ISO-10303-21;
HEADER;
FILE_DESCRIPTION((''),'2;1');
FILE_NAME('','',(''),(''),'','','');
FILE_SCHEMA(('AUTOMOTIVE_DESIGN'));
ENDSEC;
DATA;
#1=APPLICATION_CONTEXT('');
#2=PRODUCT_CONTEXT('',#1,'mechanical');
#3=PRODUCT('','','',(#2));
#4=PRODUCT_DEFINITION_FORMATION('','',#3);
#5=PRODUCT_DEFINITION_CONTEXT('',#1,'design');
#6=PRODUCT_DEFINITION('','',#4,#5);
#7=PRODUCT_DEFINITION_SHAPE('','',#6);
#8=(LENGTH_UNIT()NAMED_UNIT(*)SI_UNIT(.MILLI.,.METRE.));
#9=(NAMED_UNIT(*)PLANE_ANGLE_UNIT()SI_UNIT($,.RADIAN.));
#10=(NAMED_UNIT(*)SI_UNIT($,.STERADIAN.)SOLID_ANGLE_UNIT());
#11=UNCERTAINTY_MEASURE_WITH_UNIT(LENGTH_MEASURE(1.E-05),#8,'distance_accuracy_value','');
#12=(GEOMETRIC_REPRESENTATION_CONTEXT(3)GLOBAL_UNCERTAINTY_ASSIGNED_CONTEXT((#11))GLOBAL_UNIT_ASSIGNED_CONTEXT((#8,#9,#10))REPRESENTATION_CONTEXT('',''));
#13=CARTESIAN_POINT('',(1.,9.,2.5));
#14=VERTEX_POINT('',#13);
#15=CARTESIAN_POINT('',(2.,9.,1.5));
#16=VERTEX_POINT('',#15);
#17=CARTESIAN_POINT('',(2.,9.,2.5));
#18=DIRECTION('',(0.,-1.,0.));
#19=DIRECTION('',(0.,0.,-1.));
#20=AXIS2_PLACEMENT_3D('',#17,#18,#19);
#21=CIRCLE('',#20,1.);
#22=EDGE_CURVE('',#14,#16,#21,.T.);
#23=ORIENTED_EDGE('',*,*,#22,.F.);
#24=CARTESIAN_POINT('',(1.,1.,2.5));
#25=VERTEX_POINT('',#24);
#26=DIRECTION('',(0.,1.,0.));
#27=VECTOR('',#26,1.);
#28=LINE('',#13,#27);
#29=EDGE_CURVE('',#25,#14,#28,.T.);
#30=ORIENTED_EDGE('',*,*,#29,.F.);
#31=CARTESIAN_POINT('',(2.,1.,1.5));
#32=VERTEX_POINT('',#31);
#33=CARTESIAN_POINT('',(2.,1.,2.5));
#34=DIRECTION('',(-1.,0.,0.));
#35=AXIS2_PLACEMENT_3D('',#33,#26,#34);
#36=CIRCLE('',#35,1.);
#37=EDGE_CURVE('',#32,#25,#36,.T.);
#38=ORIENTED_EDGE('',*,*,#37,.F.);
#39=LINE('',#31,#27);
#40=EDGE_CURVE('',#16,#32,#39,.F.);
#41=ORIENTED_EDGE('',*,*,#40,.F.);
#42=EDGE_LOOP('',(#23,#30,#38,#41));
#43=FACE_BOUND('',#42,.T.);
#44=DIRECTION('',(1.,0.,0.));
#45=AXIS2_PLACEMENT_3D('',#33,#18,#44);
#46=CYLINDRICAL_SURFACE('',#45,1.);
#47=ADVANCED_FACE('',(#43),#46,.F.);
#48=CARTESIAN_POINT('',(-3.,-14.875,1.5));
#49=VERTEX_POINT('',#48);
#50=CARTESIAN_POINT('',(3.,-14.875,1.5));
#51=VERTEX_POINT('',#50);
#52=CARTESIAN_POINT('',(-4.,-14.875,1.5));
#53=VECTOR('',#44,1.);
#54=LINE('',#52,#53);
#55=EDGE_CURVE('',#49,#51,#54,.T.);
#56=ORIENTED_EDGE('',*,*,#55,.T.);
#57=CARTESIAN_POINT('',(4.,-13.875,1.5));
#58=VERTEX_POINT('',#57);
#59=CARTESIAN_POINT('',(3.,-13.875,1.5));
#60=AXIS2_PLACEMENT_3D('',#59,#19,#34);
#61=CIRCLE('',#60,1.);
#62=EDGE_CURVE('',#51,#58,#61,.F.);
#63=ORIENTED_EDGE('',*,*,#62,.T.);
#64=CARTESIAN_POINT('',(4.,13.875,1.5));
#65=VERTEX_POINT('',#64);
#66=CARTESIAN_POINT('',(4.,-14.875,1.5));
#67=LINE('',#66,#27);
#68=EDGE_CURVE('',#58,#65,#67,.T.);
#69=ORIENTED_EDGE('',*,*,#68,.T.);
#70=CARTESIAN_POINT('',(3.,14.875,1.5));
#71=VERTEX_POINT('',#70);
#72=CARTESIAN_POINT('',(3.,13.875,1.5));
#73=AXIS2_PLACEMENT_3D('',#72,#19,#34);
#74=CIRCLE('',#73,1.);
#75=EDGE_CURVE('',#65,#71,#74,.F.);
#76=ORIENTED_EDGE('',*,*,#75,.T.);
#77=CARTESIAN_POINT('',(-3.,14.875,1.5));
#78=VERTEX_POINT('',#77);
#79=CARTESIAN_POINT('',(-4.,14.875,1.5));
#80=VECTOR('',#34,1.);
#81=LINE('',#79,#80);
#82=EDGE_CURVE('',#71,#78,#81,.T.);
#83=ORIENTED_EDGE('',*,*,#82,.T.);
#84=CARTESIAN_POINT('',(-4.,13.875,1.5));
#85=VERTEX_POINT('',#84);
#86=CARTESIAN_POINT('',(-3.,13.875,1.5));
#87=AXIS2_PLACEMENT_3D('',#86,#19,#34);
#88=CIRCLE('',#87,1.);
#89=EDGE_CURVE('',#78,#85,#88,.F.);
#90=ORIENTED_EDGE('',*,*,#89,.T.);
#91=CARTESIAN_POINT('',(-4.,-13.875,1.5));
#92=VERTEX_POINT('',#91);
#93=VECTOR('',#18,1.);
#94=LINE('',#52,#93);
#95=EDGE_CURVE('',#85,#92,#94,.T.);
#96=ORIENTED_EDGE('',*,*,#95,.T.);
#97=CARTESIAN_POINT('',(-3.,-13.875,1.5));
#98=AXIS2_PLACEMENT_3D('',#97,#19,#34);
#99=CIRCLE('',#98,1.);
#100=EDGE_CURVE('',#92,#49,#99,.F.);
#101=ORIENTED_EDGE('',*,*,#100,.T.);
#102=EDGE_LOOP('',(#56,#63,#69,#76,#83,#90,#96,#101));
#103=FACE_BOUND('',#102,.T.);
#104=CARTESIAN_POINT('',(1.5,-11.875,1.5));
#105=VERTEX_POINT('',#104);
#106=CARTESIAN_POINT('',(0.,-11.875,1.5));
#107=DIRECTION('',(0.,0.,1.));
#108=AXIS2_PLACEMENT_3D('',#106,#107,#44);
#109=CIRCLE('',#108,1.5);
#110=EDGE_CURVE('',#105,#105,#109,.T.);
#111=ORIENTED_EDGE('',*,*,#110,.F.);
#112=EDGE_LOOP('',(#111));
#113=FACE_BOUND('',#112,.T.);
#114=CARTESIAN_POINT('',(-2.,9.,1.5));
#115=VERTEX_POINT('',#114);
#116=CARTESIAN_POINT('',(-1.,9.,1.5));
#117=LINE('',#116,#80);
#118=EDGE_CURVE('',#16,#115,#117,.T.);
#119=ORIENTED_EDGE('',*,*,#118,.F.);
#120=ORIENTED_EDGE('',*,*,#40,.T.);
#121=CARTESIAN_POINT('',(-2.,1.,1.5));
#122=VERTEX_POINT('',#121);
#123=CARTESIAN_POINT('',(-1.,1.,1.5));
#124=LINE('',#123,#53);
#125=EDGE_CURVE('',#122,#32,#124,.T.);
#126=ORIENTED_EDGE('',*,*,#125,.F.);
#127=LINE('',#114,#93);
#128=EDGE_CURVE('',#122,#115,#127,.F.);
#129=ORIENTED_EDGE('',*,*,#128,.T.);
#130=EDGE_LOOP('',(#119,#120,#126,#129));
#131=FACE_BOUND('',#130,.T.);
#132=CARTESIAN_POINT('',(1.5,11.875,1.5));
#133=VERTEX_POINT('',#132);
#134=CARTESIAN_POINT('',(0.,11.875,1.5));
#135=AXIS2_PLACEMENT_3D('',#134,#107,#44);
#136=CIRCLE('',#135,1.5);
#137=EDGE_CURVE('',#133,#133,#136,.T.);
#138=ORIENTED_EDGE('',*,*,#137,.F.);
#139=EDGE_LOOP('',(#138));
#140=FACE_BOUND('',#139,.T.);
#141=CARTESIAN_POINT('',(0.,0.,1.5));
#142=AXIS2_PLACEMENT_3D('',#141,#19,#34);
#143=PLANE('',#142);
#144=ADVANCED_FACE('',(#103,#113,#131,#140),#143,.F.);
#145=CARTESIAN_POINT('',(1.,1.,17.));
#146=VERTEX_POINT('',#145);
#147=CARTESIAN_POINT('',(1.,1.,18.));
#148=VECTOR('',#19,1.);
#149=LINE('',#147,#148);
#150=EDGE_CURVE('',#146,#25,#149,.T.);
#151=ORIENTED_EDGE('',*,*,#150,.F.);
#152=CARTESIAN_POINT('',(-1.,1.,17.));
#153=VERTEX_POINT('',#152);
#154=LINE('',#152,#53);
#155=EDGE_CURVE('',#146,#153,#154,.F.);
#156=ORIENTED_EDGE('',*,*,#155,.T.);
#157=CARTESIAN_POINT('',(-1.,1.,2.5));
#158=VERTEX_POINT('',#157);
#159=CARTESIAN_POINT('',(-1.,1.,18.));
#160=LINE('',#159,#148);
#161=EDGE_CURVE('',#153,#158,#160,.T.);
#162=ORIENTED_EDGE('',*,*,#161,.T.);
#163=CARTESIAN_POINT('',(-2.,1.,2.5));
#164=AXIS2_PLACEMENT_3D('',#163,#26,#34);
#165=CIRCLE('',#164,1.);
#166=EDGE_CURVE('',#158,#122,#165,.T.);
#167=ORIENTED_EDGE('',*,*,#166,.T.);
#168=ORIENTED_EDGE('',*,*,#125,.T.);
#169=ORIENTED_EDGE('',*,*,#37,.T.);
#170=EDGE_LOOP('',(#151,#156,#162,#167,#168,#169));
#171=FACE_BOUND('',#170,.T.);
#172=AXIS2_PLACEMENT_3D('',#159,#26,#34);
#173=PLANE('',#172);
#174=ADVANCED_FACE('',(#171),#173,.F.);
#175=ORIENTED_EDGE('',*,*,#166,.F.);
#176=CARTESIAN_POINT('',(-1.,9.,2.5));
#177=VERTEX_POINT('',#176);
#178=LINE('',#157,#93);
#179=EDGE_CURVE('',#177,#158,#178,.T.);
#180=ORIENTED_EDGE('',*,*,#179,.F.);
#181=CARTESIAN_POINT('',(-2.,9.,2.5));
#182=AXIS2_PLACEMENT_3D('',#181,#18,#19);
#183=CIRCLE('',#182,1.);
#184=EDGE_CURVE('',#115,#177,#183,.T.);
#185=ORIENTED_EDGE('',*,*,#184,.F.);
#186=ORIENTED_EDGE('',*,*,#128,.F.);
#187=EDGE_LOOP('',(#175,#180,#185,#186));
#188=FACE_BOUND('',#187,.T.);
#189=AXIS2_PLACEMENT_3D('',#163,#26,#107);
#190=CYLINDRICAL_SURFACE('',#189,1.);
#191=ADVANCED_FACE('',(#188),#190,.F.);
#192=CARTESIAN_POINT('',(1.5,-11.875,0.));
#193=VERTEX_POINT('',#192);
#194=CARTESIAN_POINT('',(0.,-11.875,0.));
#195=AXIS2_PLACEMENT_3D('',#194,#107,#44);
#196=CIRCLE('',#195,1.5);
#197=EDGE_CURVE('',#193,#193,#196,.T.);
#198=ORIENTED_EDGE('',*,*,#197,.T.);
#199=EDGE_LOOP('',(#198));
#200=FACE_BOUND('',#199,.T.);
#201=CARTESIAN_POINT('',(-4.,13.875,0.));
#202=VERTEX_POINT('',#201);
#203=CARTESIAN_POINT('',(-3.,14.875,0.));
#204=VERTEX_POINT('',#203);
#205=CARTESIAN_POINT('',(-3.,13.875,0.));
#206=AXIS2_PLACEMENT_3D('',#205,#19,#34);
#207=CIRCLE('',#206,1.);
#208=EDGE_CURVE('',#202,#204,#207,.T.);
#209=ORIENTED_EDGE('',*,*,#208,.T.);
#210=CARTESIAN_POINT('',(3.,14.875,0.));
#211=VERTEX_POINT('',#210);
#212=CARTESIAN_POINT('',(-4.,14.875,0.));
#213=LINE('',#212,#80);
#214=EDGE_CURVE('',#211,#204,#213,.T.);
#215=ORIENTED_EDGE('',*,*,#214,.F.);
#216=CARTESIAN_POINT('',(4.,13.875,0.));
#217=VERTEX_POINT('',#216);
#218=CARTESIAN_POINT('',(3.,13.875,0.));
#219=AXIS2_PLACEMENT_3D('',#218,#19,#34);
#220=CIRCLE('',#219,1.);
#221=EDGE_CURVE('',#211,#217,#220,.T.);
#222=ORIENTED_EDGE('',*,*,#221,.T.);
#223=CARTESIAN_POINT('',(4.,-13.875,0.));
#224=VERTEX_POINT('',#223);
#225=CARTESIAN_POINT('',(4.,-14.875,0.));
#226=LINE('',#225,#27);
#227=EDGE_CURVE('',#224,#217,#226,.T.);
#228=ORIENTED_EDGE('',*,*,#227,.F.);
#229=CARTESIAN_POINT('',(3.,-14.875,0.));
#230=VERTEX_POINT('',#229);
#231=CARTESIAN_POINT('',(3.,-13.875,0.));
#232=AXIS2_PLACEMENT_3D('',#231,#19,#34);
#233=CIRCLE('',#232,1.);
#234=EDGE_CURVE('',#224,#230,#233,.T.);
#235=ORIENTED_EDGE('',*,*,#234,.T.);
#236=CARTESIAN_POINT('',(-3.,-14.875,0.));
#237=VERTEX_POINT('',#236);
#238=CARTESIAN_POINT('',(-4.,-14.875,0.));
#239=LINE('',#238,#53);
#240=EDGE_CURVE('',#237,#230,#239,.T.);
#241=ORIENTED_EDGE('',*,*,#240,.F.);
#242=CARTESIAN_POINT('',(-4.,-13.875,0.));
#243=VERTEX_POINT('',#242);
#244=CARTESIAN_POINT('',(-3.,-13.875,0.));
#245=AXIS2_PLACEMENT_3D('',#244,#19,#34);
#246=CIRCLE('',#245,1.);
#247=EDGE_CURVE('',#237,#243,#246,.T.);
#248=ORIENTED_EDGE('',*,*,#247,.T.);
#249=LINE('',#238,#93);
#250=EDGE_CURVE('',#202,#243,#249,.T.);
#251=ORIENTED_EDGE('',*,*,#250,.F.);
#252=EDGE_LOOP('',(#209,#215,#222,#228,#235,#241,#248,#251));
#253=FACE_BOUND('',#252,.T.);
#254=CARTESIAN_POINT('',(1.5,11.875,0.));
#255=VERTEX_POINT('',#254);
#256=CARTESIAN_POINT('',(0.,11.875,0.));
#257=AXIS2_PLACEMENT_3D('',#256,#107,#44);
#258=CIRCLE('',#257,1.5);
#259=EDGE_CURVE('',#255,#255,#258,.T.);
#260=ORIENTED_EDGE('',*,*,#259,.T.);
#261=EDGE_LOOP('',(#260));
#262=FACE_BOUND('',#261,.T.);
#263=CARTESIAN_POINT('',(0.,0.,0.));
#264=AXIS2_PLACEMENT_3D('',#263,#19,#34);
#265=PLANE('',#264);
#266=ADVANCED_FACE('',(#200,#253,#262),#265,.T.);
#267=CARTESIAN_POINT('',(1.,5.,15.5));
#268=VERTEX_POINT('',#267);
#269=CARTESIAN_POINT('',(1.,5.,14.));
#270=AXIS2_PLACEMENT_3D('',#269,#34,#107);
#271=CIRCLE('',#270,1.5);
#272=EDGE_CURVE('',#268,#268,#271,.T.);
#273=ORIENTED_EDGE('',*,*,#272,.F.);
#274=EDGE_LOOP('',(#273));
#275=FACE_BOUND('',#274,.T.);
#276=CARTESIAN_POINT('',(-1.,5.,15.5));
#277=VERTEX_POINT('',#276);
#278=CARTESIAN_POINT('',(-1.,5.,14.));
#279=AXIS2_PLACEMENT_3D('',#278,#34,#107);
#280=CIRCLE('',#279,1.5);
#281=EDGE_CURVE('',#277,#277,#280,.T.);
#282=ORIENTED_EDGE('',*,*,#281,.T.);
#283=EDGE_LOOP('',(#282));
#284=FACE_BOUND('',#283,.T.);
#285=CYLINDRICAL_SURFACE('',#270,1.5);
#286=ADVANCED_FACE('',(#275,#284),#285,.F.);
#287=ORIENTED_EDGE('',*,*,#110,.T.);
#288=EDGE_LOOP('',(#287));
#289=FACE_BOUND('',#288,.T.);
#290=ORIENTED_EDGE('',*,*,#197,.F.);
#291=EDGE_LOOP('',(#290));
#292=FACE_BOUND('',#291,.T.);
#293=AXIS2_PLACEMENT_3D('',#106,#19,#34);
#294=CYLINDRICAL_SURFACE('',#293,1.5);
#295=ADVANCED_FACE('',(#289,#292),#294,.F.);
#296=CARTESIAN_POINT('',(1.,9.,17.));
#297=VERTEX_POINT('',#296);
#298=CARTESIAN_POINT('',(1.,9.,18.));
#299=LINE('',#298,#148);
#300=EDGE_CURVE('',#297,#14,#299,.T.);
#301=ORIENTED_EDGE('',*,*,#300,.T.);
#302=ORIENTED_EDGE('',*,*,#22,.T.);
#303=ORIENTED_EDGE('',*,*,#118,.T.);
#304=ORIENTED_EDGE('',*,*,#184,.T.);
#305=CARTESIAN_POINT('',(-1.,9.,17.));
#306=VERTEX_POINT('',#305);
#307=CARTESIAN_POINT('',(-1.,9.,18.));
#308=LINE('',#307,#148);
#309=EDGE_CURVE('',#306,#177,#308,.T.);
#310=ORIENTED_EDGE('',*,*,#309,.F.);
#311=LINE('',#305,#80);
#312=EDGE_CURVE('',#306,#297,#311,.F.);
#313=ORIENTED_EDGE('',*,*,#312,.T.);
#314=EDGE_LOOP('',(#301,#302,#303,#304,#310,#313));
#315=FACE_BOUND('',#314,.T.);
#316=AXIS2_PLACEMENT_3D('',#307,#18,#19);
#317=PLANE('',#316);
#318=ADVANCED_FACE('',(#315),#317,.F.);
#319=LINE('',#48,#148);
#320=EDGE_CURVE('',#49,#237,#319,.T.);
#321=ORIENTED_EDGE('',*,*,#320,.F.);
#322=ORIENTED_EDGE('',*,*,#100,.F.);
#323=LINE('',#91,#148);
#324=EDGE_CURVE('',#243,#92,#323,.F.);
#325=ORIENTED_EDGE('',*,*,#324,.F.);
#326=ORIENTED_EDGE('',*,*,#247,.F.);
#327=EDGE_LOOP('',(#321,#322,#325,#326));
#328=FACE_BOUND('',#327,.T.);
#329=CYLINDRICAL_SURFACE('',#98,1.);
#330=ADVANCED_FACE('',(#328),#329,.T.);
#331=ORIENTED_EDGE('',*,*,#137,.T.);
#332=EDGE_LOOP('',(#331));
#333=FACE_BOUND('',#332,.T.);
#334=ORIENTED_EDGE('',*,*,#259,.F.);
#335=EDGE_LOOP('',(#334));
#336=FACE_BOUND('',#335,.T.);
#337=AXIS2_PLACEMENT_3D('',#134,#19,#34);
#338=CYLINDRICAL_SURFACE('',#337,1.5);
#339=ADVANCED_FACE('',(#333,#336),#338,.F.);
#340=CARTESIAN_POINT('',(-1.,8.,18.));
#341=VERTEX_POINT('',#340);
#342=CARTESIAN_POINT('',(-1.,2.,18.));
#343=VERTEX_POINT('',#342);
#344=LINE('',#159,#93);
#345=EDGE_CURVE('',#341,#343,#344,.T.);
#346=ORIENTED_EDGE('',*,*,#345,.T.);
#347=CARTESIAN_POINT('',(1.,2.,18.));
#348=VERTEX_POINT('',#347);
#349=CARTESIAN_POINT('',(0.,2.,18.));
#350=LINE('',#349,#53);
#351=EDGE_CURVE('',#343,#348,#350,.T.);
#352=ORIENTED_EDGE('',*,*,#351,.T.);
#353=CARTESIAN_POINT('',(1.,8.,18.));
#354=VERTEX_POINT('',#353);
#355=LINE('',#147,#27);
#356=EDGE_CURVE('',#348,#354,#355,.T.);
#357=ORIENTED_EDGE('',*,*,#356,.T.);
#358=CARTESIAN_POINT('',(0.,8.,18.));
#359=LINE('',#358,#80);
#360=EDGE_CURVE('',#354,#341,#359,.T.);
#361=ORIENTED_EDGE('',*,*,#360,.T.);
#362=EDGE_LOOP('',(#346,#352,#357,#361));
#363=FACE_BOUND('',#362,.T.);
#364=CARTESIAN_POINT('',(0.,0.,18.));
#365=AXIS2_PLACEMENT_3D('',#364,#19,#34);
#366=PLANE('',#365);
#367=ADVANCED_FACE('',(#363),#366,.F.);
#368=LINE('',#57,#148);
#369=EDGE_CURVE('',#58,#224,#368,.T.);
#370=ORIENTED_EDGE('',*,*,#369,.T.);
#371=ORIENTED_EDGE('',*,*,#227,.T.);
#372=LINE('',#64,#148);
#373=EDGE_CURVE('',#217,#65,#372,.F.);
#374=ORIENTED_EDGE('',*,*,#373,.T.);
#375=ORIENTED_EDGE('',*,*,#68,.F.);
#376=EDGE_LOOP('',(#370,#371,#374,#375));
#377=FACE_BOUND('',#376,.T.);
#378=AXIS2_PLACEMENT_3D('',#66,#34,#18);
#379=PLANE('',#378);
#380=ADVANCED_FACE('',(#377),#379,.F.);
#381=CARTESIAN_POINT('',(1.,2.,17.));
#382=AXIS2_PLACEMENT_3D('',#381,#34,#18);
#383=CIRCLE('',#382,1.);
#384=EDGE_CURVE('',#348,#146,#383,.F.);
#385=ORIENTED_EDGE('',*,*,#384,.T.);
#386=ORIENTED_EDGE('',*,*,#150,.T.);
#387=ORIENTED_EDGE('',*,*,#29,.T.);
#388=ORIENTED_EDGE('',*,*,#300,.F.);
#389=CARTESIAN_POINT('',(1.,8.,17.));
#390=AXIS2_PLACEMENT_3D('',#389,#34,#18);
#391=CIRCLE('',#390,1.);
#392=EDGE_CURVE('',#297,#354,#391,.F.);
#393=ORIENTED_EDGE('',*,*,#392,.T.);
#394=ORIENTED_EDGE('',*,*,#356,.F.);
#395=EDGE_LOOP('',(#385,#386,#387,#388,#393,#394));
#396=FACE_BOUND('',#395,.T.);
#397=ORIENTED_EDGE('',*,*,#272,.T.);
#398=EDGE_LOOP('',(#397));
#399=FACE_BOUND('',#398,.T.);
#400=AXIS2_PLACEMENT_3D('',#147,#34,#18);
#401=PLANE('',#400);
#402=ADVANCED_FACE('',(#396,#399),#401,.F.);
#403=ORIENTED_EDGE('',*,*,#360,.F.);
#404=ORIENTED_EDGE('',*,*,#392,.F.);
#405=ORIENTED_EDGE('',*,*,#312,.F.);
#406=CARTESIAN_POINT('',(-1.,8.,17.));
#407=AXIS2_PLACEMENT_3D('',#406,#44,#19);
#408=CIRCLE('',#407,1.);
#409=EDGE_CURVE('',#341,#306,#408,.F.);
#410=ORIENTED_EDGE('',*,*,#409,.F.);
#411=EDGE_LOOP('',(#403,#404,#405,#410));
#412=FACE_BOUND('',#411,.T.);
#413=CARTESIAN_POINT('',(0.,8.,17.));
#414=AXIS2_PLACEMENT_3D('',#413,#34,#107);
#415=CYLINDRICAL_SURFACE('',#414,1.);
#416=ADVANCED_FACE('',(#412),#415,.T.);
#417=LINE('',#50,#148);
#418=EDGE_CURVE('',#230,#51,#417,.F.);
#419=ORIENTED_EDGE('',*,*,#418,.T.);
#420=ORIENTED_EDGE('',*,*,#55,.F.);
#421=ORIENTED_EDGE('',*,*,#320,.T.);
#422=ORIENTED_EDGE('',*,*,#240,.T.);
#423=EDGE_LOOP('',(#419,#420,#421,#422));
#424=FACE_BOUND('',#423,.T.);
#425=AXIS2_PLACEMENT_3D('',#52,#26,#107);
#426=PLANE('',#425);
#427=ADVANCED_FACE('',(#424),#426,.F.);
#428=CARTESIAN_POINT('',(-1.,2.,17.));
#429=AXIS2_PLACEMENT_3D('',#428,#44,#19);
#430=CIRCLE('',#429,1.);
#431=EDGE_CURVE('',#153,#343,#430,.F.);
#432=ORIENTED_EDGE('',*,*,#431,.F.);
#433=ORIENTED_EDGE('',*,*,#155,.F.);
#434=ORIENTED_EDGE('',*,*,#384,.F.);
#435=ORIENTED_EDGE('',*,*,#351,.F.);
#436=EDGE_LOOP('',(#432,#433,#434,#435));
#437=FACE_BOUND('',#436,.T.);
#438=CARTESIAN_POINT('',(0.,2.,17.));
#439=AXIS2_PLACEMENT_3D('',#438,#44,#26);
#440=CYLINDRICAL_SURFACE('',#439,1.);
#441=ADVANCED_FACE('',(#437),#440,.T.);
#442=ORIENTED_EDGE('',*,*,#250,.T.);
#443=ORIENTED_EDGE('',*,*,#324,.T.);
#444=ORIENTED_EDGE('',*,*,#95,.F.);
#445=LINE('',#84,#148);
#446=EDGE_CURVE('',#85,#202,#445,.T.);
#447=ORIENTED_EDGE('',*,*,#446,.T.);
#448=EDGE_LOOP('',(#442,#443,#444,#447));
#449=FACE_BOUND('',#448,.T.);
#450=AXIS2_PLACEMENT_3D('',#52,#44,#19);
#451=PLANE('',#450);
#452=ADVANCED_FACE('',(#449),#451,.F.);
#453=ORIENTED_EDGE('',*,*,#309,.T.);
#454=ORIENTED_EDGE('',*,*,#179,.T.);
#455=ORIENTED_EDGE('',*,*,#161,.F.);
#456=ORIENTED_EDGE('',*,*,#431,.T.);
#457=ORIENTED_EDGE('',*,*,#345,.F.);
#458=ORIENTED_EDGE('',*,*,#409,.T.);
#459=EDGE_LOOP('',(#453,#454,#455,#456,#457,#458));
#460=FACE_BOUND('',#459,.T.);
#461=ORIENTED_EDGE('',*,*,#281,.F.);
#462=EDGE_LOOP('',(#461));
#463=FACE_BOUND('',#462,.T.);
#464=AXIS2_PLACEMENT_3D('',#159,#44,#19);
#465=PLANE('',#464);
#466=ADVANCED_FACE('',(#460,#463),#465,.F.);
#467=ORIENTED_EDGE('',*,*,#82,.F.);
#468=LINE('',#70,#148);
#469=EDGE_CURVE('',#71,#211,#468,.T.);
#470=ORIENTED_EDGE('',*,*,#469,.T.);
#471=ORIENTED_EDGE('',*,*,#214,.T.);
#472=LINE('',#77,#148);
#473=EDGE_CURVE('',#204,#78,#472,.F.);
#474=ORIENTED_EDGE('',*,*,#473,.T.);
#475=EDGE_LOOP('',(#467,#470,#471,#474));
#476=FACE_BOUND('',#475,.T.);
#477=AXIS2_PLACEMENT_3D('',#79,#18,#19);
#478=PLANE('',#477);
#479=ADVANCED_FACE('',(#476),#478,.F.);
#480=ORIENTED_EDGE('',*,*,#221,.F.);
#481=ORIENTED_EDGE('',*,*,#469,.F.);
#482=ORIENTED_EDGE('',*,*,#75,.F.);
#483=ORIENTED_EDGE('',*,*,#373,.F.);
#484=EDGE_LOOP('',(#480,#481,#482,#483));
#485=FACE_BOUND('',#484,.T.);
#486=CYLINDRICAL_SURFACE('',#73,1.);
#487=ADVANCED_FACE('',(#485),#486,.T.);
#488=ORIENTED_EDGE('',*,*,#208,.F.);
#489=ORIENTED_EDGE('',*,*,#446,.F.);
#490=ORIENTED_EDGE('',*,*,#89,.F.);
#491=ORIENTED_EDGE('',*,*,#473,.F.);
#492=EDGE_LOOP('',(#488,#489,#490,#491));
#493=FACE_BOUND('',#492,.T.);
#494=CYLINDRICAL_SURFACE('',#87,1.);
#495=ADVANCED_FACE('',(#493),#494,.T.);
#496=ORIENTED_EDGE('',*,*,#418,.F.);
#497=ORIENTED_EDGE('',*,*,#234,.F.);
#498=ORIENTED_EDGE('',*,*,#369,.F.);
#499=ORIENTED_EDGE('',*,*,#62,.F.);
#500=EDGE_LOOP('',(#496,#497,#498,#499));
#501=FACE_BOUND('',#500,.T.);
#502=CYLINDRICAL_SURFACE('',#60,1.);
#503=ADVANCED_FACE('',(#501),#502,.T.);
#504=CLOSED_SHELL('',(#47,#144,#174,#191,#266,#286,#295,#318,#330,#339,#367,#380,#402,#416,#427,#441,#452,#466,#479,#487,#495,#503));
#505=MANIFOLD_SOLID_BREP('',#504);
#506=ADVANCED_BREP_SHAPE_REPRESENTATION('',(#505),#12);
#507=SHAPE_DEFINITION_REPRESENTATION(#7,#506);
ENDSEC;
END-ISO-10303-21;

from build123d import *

# Parameters (mm, degrees)
SKETCH_1_W          = 8
SKETCH_1_H          = 29.75
SKETCH_1_R          = 1.5
EXTRUDE_1_DEPTH     = 1.5
SKETCH_2_W          = 2
SKETCH_2_H          = 8
EXTRUDE_2_DEPTH     = 16.5
FILLET_1_R          = 1
FILLET_2_R          = 1
SKETCH_4_R          = 1.5
CUT_EXTRUDE_1_DEPTH = 2


with BuildPart() as part:
    # 草图1 → 凸台-拉伸1 (new body)
    with BuildSketch(Plane.XY):
        Rectangle(SKETCH_1_W, SKETCH_1_H)
        with Locations((0, 11.875)):
            Circle(SKETCH_1_R, mode=Mode.SUBTRACT)
        with Locations((0, -11.875)):
            Circle(SKETCH_1_R, mode=Mode.SUBTRACT)
    extrude(amount=EXTRUDE_1_DEPTH)

    # 草图2 → 凸台-拉伸2 (add)
    with BuildSketch(Plane.XY.offset(1.5)):
        with Locations((0, 5)):
            Rectangle(SKETCH_2_W, SKETCH_2_H)
    extrude(amount=EXTRUDE_2_DEPTH)

    # 圆角1
    fillet_1_edges = [part.edges().sort_by_distance(p)[0] for p in [
        (1, 5, 1.5),
        (-1, 5, 1.5),
    ]]
    fillet(fillet_1_edges, radius=FILLET_1_R)

    # 圆角2
    fillet_2_edges = [part.edges().sort_by_distance(p)[0] for p in [
        (0, 9, 18),
        (0, 1, 18),
        (4, -14.875, 0.75),
        (-4, -14.875, 0.75),
        (-4, 14.875, 0.75),
        (4, 14.875, 0.75),
    ]]
    fillet(fillet_2_edges, radius=FILLET_2_R)

    # 草图4 → 切除-拉伸1 (cut)
    with BuildSketch(Plane.ZY.offset(1)):
        with Locations((14, 5)):
            Circle(SKETCH_4_R)
    extrude(amount=-CUT_EXTRUDE_1_DEPTH, mode=Mode.SUBTRACT)


solid = part.part
